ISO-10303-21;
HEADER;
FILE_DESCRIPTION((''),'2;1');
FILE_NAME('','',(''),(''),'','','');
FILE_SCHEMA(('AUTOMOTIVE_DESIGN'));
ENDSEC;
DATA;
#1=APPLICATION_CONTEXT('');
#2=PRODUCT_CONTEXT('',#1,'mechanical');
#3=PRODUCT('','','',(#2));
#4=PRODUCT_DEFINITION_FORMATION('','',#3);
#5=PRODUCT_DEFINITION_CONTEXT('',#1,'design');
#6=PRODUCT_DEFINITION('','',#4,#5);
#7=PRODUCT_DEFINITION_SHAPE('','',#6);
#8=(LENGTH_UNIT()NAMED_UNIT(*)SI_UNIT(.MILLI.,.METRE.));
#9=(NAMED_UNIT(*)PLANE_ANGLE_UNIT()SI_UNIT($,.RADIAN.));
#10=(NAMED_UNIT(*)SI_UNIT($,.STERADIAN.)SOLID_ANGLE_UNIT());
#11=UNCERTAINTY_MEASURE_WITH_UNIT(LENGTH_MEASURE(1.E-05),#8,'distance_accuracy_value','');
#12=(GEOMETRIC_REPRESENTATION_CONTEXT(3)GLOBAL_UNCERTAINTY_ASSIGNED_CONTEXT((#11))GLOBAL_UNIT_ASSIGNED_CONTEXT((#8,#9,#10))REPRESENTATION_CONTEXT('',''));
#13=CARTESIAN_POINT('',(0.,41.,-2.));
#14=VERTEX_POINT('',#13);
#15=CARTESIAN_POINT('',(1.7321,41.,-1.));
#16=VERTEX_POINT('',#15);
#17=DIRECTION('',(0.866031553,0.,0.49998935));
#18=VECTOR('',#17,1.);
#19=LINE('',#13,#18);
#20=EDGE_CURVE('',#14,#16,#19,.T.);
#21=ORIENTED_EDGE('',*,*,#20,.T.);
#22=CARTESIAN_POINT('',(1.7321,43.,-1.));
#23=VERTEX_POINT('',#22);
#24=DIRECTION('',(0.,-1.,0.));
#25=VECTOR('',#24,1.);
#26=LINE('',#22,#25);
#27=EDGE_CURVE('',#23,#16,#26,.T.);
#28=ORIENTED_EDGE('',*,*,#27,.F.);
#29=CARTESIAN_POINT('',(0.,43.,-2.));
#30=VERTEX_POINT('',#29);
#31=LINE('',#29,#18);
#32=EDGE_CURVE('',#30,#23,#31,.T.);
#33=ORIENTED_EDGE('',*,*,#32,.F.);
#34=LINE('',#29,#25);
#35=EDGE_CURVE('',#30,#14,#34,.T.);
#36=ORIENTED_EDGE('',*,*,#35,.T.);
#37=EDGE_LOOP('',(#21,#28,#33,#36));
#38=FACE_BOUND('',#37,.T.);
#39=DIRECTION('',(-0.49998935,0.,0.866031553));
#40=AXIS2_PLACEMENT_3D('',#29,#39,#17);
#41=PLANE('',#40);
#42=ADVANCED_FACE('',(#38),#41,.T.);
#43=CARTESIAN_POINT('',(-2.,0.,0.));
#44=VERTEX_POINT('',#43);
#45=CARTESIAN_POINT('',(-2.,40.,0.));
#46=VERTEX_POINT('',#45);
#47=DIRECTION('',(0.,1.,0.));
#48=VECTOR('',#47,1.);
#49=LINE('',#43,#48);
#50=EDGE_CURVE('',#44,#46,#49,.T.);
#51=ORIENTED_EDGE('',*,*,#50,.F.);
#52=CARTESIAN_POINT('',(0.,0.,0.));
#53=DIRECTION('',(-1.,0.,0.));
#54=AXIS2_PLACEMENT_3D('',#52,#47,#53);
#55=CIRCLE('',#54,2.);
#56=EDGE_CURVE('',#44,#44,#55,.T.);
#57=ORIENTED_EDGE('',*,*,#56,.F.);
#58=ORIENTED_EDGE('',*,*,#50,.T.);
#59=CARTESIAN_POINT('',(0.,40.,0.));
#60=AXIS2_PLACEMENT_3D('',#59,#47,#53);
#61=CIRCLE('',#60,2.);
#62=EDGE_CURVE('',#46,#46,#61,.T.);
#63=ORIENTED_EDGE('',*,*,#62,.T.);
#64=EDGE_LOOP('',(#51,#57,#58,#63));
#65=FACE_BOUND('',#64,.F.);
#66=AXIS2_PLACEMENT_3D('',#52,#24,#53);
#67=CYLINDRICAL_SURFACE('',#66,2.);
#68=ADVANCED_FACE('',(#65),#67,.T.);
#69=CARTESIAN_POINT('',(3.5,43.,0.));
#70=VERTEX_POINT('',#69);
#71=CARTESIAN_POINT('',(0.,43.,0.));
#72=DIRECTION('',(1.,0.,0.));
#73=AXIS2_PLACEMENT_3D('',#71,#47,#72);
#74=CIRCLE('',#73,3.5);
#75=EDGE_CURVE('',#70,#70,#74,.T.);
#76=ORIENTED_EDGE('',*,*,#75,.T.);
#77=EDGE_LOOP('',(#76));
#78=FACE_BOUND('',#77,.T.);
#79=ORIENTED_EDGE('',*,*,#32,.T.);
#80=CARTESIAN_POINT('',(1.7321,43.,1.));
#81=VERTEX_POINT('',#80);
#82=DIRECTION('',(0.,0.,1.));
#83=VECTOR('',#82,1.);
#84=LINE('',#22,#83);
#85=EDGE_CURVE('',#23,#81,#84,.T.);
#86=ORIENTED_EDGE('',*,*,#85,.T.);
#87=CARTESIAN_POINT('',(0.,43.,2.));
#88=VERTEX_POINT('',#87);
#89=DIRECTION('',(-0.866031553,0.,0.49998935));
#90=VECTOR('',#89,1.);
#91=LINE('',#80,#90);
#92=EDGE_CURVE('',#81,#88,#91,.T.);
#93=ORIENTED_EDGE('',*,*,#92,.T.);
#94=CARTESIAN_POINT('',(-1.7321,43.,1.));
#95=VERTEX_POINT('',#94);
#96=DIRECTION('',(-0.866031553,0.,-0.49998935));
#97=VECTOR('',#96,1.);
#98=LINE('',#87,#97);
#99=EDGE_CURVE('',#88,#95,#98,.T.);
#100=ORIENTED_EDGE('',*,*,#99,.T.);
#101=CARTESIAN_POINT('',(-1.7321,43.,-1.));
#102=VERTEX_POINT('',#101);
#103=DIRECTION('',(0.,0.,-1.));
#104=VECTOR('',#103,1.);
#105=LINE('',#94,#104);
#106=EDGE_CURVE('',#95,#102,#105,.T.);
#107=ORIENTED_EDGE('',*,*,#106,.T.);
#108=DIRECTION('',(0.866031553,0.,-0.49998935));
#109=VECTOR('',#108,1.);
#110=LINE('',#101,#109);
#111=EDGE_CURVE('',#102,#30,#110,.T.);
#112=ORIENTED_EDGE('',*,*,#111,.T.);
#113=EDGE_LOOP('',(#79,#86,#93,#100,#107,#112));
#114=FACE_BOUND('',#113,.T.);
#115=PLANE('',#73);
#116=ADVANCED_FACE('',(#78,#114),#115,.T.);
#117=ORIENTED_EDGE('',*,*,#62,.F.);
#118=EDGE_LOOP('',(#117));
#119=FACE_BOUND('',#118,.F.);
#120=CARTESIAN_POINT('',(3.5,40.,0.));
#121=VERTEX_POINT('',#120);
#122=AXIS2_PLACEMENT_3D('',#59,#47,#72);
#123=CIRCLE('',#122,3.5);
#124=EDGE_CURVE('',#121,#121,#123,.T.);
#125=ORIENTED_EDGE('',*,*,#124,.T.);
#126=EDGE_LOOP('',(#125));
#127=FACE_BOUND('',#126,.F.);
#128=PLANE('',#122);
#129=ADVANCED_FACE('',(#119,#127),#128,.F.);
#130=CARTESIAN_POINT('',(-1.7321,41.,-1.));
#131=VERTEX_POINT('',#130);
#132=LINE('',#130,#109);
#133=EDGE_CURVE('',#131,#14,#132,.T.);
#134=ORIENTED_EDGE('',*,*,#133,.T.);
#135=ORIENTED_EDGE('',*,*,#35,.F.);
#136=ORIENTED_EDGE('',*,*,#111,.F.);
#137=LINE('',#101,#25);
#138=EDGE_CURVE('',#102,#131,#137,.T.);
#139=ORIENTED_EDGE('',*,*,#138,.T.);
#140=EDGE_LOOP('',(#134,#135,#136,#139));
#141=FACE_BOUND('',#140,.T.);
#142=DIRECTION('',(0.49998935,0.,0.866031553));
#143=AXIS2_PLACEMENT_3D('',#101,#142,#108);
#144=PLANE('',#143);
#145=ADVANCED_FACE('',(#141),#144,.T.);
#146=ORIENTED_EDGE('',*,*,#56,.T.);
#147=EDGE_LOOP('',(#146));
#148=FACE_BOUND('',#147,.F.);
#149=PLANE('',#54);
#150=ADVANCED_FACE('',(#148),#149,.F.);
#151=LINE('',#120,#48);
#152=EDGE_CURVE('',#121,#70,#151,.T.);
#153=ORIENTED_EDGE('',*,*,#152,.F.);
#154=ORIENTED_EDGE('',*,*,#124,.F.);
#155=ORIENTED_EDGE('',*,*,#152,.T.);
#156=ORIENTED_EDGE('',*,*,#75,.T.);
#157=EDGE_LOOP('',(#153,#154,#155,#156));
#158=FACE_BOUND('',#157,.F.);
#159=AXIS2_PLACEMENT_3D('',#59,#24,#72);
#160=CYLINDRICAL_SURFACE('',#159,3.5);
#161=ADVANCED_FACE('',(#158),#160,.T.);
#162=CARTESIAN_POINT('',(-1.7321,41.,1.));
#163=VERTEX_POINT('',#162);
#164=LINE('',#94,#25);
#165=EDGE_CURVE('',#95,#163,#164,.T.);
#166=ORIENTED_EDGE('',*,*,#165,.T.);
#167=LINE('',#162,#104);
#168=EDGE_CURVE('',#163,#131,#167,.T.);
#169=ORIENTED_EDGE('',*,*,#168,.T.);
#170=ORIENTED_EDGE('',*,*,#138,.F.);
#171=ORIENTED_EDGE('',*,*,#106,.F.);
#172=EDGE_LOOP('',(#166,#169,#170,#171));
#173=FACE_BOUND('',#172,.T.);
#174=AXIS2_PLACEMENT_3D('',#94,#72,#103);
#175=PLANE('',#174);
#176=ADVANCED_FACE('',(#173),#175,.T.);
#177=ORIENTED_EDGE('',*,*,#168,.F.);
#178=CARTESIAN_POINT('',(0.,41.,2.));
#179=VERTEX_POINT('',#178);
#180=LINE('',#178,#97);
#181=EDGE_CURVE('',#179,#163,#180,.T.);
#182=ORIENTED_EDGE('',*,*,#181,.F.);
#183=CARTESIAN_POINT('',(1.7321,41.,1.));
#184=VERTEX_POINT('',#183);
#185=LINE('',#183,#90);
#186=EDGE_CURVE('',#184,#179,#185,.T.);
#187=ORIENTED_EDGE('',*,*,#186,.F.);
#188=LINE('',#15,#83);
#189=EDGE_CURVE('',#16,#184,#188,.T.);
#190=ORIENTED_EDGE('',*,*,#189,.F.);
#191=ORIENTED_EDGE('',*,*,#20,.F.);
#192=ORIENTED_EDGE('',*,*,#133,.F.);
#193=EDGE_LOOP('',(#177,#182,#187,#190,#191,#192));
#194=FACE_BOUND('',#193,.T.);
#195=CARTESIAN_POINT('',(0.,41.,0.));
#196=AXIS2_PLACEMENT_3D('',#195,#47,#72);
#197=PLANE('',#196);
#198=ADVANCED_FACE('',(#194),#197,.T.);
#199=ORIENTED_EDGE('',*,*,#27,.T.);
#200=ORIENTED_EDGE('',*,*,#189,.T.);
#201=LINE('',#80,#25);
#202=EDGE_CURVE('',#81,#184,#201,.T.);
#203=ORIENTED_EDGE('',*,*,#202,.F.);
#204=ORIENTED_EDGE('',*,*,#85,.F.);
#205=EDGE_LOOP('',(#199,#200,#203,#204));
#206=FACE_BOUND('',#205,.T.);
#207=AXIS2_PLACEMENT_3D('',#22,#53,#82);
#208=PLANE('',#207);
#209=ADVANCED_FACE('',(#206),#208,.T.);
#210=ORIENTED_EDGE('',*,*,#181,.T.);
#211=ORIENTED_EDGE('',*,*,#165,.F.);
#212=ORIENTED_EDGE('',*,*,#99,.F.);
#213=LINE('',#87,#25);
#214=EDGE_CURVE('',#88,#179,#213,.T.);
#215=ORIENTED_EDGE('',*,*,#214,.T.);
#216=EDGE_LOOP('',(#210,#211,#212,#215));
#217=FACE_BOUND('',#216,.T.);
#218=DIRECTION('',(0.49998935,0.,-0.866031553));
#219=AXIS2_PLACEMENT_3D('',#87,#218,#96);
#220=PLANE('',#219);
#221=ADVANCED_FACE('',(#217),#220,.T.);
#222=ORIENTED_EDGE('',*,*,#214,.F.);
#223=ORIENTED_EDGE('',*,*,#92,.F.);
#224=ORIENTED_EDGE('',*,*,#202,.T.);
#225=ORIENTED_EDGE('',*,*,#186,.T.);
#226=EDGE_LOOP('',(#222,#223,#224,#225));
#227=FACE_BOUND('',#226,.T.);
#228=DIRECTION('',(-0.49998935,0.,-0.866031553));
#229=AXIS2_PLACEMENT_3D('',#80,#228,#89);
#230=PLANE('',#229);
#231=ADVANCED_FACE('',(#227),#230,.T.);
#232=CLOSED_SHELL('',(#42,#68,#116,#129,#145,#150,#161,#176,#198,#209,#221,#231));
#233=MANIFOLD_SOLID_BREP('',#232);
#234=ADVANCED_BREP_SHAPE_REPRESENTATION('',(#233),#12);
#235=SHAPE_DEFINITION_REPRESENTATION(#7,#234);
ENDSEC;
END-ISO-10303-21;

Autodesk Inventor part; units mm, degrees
ref_plane "YZ Plane" through (0, 0, 0) normal (1, 0, 0) x (0, 1, 0)
ref_plane "XZ Plane" through (0, 0, 0) normal (0, 1, 0) x (-1, 0, 0)
ref_plane "XY Plane" through (0, 0, 0) normal (0, 0, 1) x (1, 0, 0)
sketch "Sketch1" plane through (0, 0, 0) normal (0, 1, 0) x (-1, 0, 0)
  circle A0 centre (0, 0) radius 2
  dimension "d0" = 4
extrude "Extrusion1" add sketch "Sketch1" along normal blind 40
sketch "Sketch2" plane through (0, 40, 0) normal (0, 1, 0) x (1, 0, 0)
  circle A0 centre (0, 0) radius 3.5
  dimension "d3" = 7
extrude "Extrusion2" add sketch "Sketch2" along normal blind 3
sketch "Sketch3" plane through (0, 43, 0) normal (0, 1, 0) x (1, 0, 0)
  circle A0 centre (0, 0) radius 2 projected
  line L0 (0, 2) -> (1.7321, 1)
  line L1 (1.7321, 1) -> (1.7321, -1)
  line L2 (1.7321, -1) -> (0, -2)
  line L3 (0, -2) -> (-1.7321, -1)
  line L4 (-1.7321, -1) -> (-1.7321, 1)
  line L5 (-1.7321, 1) -> (0, 2)
extrude "Extrusion3" cut sketch "Sketch3" against normal blind 2 contours L1 L2 L3 L4 L5 L0
properties part number "M4_hinge_bolt"
